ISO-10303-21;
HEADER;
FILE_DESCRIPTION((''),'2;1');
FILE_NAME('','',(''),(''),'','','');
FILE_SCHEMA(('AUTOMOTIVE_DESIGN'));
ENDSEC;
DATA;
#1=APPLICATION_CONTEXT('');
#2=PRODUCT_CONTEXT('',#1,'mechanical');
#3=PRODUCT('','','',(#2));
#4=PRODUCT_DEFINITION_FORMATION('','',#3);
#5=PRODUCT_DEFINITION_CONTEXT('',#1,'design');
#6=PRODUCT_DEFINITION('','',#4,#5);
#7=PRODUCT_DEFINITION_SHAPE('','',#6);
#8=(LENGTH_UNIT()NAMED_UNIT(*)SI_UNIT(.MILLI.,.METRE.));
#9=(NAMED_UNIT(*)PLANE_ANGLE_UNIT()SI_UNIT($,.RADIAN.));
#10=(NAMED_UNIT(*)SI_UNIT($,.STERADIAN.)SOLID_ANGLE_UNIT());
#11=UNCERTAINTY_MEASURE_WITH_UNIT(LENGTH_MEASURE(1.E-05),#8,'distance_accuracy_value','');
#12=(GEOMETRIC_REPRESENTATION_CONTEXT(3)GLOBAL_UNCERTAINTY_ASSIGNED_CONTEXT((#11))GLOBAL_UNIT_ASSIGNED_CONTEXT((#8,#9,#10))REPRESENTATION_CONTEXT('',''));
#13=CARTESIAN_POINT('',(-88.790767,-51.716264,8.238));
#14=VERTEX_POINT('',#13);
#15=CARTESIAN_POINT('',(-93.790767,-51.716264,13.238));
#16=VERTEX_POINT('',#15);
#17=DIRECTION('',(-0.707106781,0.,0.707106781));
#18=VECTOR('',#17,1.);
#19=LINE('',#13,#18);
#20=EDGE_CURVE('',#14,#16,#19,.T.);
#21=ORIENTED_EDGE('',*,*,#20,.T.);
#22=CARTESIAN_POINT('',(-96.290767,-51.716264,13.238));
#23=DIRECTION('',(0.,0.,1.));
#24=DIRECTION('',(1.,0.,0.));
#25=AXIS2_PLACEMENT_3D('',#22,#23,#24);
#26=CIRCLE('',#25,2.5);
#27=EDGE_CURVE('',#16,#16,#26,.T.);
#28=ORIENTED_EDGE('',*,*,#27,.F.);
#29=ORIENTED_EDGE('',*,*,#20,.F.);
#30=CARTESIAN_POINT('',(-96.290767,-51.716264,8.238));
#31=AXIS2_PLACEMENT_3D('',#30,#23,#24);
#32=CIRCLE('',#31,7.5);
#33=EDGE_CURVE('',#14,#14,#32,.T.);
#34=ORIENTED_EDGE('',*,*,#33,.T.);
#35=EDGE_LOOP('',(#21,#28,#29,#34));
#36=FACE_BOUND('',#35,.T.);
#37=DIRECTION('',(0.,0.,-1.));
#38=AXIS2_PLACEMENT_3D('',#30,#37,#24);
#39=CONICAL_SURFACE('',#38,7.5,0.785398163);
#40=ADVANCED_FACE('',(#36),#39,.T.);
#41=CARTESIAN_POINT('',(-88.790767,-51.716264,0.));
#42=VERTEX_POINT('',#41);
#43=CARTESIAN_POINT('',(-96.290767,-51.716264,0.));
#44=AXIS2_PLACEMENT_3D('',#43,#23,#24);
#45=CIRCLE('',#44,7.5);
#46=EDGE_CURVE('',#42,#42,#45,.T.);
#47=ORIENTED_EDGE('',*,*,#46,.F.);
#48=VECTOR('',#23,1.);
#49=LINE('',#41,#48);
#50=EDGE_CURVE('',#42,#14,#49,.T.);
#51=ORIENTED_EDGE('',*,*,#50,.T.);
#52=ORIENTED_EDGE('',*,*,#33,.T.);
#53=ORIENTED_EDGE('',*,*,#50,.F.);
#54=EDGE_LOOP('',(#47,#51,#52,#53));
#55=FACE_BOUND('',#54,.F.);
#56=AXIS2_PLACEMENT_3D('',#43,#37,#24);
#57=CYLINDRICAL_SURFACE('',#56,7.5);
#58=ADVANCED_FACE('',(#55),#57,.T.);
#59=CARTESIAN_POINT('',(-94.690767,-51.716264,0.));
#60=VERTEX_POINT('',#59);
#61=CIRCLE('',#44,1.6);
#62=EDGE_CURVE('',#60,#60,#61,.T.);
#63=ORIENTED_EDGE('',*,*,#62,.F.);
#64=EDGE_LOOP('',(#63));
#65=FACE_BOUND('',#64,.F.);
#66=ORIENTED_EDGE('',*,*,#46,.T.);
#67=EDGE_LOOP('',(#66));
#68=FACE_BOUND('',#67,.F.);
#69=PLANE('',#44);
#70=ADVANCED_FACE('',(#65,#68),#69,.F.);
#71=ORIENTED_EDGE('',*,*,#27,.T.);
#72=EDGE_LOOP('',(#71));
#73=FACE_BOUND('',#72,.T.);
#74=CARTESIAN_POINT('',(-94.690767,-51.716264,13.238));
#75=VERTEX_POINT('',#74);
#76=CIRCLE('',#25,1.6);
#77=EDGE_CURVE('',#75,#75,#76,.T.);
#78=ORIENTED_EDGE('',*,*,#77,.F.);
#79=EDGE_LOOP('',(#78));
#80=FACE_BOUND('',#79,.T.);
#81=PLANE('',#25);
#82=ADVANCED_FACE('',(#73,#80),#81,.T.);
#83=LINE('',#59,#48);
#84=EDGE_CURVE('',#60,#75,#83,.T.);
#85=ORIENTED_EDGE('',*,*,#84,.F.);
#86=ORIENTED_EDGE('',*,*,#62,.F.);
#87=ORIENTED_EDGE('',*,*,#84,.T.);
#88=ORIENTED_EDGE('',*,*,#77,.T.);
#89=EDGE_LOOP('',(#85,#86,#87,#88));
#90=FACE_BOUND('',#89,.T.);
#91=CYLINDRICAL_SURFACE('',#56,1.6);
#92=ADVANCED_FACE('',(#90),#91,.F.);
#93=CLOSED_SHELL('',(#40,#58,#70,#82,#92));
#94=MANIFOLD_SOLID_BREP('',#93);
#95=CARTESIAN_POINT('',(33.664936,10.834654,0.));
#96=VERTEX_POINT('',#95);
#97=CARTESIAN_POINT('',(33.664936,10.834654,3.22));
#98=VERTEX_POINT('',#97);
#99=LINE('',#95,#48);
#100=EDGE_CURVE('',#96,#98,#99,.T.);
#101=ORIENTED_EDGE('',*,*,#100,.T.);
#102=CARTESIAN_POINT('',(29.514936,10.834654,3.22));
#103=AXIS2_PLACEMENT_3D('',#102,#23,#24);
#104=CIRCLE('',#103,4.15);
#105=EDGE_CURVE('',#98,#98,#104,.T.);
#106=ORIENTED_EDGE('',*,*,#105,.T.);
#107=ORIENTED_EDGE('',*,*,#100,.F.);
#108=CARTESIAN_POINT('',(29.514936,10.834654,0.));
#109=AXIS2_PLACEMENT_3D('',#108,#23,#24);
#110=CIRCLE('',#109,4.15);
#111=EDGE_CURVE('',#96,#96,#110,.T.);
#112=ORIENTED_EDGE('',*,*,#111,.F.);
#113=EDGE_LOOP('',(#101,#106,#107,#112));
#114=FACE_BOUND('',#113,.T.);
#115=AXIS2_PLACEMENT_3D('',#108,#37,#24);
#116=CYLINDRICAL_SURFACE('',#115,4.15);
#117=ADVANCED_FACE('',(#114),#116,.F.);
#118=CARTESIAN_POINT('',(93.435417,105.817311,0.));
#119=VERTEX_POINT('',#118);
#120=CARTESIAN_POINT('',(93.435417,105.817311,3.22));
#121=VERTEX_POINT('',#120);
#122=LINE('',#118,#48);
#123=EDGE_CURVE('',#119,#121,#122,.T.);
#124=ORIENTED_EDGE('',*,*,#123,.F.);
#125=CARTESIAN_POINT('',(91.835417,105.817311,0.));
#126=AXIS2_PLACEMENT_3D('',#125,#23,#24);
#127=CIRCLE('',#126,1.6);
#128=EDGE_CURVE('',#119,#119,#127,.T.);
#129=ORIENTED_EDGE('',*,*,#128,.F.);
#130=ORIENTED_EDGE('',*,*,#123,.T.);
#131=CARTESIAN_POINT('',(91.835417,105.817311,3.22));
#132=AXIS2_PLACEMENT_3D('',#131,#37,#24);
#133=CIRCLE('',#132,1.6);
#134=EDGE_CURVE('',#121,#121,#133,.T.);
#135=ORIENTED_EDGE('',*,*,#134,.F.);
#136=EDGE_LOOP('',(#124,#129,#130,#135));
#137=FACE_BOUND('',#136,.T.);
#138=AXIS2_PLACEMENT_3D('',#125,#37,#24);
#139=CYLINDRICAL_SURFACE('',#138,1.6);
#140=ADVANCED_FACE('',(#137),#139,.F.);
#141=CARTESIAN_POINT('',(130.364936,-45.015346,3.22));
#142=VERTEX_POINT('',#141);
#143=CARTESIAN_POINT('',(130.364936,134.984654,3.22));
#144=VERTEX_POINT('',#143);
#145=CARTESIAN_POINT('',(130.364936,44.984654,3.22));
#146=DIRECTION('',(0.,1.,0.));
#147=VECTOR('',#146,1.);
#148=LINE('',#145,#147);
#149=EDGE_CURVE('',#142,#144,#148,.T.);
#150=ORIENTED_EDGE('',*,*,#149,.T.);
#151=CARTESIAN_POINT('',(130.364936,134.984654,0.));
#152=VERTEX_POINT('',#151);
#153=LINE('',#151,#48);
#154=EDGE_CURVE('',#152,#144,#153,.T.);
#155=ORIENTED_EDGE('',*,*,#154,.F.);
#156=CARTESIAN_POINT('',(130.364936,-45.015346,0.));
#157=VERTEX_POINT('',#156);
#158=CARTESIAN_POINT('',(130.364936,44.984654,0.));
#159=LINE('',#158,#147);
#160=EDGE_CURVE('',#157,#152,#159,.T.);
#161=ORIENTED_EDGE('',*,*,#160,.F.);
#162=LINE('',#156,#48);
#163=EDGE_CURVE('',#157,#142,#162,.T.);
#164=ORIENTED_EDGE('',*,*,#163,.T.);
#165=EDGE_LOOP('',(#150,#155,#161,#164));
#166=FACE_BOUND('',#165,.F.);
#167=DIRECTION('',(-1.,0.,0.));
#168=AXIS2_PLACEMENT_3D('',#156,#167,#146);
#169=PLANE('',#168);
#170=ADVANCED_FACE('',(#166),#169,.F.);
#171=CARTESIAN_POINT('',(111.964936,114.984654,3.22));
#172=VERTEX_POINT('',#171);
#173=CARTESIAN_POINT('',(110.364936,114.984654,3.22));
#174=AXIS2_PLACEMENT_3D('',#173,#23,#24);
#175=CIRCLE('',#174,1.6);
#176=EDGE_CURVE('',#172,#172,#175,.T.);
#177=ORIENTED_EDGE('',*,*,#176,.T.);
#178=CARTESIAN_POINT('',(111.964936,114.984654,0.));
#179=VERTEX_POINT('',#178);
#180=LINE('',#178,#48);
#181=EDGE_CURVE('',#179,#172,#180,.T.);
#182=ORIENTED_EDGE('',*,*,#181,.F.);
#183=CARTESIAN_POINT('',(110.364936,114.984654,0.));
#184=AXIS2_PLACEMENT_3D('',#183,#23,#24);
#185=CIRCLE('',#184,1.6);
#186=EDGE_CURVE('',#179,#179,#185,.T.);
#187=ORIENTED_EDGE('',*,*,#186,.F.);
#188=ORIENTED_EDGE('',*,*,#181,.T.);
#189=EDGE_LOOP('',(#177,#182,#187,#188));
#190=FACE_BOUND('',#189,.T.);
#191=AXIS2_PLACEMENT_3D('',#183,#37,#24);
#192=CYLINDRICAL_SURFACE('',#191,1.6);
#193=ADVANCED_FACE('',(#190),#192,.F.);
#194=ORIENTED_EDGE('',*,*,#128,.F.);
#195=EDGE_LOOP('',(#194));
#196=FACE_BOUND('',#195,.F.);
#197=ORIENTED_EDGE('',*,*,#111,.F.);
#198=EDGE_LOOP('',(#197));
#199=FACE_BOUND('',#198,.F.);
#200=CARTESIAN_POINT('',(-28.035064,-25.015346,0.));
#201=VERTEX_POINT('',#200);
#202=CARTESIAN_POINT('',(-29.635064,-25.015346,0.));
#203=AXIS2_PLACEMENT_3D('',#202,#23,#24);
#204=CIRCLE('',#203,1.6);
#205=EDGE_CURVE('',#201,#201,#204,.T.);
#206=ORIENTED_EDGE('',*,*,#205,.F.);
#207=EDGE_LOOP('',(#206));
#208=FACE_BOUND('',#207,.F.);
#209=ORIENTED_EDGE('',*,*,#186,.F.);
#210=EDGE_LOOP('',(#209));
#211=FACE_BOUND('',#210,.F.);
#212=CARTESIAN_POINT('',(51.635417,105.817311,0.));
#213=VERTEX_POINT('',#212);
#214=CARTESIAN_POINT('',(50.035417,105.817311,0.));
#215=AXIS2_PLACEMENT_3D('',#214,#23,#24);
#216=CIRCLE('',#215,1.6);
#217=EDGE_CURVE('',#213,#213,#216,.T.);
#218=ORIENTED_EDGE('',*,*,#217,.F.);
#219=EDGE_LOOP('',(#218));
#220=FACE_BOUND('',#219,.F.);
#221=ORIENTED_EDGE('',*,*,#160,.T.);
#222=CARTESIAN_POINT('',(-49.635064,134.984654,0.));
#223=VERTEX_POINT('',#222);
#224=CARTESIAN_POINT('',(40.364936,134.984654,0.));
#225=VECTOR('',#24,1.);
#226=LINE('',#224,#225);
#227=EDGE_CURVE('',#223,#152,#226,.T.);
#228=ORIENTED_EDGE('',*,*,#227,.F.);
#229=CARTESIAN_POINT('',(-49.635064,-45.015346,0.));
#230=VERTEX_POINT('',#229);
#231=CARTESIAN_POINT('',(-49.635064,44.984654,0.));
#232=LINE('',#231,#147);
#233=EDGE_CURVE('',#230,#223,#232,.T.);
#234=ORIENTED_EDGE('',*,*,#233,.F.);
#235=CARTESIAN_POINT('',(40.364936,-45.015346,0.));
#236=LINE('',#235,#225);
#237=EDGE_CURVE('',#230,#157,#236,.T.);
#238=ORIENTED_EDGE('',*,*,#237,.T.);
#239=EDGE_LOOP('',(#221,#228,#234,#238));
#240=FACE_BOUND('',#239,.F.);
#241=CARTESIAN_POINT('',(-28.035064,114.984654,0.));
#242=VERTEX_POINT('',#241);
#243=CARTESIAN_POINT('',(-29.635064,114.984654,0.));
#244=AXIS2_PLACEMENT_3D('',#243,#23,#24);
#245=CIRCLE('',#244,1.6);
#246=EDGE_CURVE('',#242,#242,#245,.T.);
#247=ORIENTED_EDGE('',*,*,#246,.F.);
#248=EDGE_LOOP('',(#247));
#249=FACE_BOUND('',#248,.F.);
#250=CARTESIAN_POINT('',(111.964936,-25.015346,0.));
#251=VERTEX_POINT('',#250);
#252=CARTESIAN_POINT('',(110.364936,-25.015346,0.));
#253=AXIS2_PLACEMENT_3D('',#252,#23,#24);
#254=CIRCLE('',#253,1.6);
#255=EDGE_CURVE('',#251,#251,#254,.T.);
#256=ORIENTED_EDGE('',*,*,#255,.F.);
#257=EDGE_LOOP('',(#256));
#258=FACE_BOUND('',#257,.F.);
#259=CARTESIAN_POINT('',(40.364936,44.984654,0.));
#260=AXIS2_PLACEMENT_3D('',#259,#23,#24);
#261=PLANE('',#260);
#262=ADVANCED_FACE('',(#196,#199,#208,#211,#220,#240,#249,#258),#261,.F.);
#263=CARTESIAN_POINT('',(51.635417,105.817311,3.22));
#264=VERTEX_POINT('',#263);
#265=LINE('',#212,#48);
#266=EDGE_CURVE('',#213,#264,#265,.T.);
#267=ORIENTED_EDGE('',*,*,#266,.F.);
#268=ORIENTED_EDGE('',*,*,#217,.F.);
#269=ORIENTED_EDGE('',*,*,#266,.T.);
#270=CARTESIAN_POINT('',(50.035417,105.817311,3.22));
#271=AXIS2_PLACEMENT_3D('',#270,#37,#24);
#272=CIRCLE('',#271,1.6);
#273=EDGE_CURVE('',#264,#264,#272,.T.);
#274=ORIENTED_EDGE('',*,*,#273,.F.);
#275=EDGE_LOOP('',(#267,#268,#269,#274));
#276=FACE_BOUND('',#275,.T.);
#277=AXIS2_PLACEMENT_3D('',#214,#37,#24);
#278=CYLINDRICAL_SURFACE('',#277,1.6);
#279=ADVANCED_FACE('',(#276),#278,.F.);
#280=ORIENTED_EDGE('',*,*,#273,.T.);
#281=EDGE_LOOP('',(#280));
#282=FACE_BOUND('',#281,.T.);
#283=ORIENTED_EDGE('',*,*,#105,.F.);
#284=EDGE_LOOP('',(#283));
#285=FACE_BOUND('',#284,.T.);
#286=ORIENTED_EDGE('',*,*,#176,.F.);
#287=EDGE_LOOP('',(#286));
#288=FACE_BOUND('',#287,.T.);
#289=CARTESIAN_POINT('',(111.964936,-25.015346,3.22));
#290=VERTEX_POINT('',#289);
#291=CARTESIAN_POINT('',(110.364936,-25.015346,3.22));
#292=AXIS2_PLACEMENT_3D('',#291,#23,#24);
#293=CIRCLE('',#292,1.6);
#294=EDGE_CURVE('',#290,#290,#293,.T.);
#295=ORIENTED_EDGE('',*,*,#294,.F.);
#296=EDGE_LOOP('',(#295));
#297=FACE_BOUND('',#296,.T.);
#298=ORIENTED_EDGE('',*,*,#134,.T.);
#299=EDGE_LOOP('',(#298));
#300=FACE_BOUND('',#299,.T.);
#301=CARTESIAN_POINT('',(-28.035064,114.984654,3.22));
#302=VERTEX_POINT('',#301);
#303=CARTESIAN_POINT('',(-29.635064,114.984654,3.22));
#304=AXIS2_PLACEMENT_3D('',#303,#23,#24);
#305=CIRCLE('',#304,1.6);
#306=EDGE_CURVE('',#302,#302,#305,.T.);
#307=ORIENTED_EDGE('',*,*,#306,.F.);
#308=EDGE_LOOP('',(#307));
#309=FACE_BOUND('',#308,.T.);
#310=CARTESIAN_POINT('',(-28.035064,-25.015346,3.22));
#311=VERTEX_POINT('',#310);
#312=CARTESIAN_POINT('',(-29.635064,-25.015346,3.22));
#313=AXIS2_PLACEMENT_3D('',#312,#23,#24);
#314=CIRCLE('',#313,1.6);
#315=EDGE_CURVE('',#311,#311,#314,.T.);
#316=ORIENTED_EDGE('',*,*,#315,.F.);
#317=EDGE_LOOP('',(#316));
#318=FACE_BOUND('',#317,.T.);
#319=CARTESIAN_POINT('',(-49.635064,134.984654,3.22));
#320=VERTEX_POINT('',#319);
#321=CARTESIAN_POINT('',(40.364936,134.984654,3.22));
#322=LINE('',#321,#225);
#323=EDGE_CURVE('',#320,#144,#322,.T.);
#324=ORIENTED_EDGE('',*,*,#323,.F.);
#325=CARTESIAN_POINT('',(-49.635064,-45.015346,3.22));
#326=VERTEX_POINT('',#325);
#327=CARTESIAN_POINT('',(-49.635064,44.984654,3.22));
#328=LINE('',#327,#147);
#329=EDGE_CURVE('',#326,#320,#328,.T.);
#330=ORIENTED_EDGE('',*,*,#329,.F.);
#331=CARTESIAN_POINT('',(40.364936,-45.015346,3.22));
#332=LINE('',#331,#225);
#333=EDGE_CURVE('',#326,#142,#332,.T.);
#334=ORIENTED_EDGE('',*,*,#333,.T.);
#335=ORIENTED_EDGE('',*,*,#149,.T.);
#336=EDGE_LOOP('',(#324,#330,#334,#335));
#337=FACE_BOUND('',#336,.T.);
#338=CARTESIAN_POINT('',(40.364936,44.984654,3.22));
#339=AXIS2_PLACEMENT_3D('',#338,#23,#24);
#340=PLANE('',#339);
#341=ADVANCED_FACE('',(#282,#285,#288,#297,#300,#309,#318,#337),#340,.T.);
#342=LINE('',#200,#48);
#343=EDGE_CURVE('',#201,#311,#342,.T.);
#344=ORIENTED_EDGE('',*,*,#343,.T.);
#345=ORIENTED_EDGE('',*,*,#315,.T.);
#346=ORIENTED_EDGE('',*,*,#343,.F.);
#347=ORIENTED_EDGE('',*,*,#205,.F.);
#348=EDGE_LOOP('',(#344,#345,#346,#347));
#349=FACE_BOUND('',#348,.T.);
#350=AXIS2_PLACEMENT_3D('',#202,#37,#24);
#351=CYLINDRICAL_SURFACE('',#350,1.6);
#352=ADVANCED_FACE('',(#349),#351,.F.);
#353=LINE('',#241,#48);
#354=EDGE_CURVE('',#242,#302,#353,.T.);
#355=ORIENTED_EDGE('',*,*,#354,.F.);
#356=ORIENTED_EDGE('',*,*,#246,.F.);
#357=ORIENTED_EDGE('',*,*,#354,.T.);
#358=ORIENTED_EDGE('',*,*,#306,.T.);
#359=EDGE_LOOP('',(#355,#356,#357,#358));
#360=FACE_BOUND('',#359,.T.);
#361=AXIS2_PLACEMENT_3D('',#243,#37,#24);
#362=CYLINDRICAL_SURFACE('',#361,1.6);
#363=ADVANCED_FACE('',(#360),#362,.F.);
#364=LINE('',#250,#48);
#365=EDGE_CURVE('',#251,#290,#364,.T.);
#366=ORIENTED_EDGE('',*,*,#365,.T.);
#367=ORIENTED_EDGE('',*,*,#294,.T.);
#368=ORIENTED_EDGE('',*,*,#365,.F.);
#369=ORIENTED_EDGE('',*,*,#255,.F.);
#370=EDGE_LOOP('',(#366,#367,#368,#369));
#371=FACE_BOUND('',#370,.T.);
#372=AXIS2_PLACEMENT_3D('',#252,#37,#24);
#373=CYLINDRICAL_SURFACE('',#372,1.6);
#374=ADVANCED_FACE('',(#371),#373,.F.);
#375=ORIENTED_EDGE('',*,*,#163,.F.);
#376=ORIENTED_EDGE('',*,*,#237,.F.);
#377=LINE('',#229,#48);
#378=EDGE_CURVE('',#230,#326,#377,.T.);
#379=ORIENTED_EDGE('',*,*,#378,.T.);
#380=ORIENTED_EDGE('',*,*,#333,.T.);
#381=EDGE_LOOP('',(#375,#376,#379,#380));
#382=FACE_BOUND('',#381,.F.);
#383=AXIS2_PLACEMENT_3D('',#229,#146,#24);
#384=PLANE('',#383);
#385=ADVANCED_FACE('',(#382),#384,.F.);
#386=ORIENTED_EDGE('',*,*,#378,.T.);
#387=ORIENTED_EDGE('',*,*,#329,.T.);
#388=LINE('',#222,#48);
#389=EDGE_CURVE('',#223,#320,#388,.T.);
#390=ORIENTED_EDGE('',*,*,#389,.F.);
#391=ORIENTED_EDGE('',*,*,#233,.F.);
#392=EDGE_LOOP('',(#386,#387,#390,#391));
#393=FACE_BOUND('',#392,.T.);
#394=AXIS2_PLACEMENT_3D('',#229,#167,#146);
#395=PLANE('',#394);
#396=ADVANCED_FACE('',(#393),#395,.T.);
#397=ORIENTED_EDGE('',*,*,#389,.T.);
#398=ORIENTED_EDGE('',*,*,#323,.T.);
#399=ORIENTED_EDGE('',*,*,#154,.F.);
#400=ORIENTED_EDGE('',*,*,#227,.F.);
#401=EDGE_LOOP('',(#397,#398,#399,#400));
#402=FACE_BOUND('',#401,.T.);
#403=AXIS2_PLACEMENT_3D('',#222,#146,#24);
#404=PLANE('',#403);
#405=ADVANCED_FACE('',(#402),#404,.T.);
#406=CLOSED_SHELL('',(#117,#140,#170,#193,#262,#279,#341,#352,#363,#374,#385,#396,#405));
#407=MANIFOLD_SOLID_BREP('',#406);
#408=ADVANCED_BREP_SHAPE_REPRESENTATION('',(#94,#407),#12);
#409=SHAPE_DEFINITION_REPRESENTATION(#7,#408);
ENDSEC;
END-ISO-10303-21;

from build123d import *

# Parameters (mm, degrees)
F0_W     = 180
F0_H     = 180
F0_R     = 1.6
F0_R_2   = 4.15
F1_DEPTH = 3.22
F2_R     = 1.6
F3_DEPTH = 25
F4_R     = 7.5
F4_R_2   = 1.6
F5_DEPTH = 13.238
F6_SIZE  = 5


with BuildPart() as f1:
    # F0 (on Top) → F1 (new body)
    with BuildSketch(Plane.XY):
        with Locations((40.364936, 44.984654)):
            Rectangle(F0_W, F0_H)
        with Locations((-29.635064, -25.015346)):
            Circle(F0_R, mode=Mode.SUBTRACT)
        with Locations((29.514936, 10.834654)):
            Circle(F0_R_2, mode=Mode.SUBTRACT)
        with Locations((110.364936, -25.015346)):
            Circle(F0_R, mode=Mode.SUBTRACT)
        with Locations((-29.635064, 114.984654)):
            Circle(F0_R, mode=Mode.SUBTRACT)
        with Locations((110.364936, 114.984654)):
            Circle(F0_R, mode=Mode.SUBTRACT)
    extrude(amount=F1_DEPTH)

    # F2 (on Top) → F3 (cut)
    with BuildSketch(Plane.XY):
        with Locations((50.035417, 105.817311)):
            Circle(F2_R)
        with Locations((91.835417, 105.817311)):
            Circle(F2_R)
    extrude(amount=F3_DEPTH, mode=Mode.SUBTRACT)


with BuildPart() as f5:
    # F4 (on Top) → F5 (new body)
    with BuildSketch(Plane.XY):
        with Locations((-96.290767, -51.716264)):
            Circle(F4_R)
        with Locations((-96.290767, -51.716264)):
            Circle(F4_R_2, mode=Mode.SUBTRACT)
    extrude(amount=F5_DEPTH)

    # F6
    f6_edges = [f5.edges().sort_by_distance(p)[0] for p in [
        (-103.790767, -51.716264, 13.238),
    ]]
    chamfer(f6_edges, length=F6_SIZE)


solid = Compound([f1.part, f5.part])
